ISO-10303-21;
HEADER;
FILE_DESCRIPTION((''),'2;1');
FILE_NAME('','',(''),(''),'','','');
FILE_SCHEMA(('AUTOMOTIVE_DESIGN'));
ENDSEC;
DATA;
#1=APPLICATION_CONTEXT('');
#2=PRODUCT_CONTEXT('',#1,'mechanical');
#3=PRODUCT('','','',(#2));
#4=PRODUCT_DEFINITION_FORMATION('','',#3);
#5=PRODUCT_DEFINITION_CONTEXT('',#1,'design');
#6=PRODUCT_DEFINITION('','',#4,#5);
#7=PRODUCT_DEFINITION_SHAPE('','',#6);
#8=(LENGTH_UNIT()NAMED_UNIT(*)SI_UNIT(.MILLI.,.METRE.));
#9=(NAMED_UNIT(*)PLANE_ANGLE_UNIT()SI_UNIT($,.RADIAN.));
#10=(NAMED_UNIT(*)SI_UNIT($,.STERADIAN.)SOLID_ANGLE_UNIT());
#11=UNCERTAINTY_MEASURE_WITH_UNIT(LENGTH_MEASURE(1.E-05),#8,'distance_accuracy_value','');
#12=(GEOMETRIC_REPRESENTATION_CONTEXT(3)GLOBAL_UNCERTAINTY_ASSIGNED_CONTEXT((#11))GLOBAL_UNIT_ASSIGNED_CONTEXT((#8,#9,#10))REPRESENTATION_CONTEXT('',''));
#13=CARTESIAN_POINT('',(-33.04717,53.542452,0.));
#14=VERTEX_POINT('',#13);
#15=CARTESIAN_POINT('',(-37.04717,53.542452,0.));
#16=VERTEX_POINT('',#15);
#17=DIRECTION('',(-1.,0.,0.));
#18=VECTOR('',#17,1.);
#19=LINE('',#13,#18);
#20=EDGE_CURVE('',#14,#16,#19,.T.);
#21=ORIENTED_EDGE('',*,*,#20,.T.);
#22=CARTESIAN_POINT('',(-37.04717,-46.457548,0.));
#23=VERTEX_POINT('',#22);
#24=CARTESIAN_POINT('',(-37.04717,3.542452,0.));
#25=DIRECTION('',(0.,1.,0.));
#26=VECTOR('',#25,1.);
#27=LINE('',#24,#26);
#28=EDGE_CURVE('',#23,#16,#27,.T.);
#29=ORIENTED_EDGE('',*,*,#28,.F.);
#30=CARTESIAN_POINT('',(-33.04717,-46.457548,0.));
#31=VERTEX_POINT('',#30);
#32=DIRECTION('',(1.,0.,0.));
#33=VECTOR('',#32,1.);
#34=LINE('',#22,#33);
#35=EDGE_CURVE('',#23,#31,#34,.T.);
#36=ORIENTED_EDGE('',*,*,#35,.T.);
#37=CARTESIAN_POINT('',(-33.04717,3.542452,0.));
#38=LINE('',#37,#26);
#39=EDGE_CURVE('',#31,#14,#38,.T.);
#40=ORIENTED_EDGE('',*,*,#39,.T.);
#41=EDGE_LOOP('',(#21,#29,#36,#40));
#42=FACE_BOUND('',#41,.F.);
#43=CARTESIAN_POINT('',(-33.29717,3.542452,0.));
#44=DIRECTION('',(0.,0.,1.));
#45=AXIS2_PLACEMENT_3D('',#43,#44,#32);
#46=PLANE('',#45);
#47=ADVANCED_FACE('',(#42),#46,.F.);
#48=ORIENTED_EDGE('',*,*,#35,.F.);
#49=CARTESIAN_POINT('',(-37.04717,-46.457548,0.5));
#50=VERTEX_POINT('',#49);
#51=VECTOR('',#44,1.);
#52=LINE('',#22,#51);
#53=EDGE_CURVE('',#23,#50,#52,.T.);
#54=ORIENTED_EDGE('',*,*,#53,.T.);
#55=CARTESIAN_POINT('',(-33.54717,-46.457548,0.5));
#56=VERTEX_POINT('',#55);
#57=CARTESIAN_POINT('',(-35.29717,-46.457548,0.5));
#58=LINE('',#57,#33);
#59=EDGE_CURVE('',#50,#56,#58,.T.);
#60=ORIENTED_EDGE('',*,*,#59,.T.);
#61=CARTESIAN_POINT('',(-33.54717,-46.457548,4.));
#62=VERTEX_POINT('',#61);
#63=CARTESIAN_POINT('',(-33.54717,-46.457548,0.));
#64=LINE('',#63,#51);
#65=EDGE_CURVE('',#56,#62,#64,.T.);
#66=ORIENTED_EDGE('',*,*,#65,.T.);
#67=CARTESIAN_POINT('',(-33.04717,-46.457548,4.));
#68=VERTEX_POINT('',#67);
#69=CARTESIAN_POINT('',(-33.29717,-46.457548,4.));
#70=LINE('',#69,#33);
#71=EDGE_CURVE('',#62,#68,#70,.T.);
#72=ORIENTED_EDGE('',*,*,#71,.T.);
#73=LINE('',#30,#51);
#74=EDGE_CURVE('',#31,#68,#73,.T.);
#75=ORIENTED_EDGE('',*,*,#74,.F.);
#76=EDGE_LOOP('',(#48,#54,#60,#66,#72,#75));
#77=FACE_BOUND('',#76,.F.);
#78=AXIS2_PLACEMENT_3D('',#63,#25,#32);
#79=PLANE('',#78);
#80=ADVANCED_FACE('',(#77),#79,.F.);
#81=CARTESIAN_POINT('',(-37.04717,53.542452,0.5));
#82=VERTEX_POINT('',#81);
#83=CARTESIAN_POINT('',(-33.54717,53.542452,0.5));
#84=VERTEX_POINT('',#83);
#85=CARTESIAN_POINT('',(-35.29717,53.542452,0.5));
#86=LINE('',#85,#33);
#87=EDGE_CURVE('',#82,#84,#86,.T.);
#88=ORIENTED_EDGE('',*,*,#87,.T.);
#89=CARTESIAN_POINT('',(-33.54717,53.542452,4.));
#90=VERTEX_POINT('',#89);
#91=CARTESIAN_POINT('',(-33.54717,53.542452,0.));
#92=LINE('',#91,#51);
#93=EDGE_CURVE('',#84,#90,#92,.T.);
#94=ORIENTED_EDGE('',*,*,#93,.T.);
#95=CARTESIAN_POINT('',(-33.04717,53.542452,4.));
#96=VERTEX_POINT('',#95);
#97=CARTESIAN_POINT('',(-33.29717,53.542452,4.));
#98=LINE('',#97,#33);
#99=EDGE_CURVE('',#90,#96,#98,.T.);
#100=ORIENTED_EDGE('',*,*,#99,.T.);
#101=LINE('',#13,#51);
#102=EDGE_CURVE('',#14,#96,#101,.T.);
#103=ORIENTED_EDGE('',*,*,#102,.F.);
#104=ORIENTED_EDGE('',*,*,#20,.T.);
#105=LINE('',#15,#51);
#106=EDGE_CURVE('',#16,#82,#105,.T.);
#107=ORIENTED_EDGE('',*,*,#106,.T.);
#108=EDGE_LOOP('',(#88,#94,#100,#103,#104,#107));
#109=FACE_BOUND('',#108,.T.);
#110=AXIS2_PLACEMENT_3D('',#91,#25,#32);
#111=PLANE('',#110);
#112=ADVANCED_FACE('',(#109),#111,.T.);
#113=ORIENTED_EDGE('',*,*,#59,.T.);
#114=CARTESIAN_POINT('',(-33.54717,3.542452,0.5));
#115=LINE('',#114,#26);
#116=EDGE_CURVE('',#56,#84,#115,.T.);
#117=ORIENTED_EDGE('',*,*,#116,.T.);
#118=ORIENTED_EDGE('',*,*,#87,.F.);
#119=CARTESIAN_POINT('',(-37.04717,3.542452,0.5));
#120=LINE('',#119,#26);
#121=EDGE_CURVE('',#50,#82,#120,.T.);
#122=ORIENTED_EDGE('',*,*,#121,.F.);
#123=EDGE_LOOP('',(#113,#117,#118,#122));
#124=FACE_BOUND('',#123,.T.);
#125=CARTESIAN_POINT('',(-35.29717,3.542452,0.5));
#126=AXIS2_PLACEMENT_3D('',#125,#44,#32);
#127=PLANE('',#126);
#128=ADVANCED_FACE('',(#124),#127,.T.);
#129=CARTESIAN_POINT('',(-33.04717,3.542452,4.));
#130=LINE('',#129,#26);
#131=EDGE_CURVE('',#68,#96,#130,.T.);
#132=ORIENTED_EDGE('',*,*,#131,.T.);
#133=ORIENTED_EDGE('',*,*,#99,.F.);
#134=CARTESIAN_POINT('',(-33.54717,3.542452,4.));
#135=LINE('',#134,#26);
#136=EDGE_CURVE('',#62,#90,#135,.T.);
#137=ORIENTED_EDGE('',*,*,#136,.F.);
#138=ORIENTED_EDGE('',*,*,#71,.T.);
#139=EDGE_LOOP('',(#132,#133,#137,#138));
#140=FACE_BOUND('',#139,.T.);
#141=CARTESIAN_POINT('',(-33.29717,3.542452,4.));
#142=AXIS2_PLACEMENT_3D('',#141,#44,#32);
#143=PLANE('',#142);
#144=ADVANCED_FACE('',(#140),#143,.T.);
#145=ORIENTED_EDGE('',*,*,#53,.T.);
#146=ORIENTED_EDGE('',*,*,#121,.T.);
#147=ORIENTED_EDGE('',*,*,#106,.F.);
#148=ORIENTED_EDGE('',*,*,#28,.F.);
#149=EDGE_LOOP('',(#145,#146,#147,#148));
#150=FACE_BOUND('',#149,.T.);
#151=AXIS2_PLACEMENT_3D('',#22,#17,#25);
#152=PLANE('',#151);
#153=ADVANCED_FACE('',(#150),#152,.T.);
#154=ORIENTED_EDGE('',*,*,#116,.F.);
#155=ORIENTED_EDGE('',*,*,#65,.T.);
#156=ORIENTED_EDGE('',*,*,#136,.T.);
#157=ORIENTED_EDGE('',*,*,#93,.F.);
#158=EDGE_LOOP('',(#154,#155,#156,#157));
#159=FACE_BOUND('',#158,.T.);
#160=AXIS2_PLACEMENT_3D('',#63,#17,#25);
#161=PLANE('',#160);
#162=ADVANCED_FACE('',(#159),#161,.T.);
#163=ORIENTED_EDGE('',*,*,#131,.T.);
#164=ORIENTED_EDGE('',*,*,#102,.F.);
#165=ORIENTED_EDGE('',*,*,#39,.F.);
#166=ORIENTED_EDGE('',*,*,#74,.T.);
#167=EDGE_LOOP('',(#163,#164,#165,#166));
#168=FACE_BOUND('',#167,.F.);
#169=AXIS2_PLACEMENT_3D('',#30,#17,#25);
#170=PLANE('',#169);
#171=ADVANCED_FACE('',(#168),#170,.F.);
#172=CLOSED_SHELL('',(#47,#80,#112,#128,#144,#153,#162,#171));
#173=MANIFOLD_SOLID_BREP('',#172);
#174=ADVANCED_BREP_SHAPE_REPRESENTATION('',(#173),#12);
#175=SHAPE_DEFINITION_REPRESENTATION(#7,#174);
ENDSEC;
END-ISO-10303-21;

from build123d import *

# Parameters (mm, degrees)
F0_W     = 3.5
F0_H     = 100
F1_DEPTH = 0.5
F0_W_2   = 0.5
F2_DEPTH = 4


with BuildPart() as f1:
    # F0 (on Top) → F1 (new body)
    with BuildSketch(Plane.XY):
        with Locations((-35.29717, 3.542452)):
            Rectangle(F0_W, F0_H)
    extrude(amount=F1_DEPTH)

    # F0 (on Top) → F2 (join)
    with BuildSketch(Plane.XY):
        with Locations((-33.29717, 3.542452)):
            Rectangle(F0_W_2, F0_H)
    extrude(amount=F2_DEPTH)


solid = f1.part
